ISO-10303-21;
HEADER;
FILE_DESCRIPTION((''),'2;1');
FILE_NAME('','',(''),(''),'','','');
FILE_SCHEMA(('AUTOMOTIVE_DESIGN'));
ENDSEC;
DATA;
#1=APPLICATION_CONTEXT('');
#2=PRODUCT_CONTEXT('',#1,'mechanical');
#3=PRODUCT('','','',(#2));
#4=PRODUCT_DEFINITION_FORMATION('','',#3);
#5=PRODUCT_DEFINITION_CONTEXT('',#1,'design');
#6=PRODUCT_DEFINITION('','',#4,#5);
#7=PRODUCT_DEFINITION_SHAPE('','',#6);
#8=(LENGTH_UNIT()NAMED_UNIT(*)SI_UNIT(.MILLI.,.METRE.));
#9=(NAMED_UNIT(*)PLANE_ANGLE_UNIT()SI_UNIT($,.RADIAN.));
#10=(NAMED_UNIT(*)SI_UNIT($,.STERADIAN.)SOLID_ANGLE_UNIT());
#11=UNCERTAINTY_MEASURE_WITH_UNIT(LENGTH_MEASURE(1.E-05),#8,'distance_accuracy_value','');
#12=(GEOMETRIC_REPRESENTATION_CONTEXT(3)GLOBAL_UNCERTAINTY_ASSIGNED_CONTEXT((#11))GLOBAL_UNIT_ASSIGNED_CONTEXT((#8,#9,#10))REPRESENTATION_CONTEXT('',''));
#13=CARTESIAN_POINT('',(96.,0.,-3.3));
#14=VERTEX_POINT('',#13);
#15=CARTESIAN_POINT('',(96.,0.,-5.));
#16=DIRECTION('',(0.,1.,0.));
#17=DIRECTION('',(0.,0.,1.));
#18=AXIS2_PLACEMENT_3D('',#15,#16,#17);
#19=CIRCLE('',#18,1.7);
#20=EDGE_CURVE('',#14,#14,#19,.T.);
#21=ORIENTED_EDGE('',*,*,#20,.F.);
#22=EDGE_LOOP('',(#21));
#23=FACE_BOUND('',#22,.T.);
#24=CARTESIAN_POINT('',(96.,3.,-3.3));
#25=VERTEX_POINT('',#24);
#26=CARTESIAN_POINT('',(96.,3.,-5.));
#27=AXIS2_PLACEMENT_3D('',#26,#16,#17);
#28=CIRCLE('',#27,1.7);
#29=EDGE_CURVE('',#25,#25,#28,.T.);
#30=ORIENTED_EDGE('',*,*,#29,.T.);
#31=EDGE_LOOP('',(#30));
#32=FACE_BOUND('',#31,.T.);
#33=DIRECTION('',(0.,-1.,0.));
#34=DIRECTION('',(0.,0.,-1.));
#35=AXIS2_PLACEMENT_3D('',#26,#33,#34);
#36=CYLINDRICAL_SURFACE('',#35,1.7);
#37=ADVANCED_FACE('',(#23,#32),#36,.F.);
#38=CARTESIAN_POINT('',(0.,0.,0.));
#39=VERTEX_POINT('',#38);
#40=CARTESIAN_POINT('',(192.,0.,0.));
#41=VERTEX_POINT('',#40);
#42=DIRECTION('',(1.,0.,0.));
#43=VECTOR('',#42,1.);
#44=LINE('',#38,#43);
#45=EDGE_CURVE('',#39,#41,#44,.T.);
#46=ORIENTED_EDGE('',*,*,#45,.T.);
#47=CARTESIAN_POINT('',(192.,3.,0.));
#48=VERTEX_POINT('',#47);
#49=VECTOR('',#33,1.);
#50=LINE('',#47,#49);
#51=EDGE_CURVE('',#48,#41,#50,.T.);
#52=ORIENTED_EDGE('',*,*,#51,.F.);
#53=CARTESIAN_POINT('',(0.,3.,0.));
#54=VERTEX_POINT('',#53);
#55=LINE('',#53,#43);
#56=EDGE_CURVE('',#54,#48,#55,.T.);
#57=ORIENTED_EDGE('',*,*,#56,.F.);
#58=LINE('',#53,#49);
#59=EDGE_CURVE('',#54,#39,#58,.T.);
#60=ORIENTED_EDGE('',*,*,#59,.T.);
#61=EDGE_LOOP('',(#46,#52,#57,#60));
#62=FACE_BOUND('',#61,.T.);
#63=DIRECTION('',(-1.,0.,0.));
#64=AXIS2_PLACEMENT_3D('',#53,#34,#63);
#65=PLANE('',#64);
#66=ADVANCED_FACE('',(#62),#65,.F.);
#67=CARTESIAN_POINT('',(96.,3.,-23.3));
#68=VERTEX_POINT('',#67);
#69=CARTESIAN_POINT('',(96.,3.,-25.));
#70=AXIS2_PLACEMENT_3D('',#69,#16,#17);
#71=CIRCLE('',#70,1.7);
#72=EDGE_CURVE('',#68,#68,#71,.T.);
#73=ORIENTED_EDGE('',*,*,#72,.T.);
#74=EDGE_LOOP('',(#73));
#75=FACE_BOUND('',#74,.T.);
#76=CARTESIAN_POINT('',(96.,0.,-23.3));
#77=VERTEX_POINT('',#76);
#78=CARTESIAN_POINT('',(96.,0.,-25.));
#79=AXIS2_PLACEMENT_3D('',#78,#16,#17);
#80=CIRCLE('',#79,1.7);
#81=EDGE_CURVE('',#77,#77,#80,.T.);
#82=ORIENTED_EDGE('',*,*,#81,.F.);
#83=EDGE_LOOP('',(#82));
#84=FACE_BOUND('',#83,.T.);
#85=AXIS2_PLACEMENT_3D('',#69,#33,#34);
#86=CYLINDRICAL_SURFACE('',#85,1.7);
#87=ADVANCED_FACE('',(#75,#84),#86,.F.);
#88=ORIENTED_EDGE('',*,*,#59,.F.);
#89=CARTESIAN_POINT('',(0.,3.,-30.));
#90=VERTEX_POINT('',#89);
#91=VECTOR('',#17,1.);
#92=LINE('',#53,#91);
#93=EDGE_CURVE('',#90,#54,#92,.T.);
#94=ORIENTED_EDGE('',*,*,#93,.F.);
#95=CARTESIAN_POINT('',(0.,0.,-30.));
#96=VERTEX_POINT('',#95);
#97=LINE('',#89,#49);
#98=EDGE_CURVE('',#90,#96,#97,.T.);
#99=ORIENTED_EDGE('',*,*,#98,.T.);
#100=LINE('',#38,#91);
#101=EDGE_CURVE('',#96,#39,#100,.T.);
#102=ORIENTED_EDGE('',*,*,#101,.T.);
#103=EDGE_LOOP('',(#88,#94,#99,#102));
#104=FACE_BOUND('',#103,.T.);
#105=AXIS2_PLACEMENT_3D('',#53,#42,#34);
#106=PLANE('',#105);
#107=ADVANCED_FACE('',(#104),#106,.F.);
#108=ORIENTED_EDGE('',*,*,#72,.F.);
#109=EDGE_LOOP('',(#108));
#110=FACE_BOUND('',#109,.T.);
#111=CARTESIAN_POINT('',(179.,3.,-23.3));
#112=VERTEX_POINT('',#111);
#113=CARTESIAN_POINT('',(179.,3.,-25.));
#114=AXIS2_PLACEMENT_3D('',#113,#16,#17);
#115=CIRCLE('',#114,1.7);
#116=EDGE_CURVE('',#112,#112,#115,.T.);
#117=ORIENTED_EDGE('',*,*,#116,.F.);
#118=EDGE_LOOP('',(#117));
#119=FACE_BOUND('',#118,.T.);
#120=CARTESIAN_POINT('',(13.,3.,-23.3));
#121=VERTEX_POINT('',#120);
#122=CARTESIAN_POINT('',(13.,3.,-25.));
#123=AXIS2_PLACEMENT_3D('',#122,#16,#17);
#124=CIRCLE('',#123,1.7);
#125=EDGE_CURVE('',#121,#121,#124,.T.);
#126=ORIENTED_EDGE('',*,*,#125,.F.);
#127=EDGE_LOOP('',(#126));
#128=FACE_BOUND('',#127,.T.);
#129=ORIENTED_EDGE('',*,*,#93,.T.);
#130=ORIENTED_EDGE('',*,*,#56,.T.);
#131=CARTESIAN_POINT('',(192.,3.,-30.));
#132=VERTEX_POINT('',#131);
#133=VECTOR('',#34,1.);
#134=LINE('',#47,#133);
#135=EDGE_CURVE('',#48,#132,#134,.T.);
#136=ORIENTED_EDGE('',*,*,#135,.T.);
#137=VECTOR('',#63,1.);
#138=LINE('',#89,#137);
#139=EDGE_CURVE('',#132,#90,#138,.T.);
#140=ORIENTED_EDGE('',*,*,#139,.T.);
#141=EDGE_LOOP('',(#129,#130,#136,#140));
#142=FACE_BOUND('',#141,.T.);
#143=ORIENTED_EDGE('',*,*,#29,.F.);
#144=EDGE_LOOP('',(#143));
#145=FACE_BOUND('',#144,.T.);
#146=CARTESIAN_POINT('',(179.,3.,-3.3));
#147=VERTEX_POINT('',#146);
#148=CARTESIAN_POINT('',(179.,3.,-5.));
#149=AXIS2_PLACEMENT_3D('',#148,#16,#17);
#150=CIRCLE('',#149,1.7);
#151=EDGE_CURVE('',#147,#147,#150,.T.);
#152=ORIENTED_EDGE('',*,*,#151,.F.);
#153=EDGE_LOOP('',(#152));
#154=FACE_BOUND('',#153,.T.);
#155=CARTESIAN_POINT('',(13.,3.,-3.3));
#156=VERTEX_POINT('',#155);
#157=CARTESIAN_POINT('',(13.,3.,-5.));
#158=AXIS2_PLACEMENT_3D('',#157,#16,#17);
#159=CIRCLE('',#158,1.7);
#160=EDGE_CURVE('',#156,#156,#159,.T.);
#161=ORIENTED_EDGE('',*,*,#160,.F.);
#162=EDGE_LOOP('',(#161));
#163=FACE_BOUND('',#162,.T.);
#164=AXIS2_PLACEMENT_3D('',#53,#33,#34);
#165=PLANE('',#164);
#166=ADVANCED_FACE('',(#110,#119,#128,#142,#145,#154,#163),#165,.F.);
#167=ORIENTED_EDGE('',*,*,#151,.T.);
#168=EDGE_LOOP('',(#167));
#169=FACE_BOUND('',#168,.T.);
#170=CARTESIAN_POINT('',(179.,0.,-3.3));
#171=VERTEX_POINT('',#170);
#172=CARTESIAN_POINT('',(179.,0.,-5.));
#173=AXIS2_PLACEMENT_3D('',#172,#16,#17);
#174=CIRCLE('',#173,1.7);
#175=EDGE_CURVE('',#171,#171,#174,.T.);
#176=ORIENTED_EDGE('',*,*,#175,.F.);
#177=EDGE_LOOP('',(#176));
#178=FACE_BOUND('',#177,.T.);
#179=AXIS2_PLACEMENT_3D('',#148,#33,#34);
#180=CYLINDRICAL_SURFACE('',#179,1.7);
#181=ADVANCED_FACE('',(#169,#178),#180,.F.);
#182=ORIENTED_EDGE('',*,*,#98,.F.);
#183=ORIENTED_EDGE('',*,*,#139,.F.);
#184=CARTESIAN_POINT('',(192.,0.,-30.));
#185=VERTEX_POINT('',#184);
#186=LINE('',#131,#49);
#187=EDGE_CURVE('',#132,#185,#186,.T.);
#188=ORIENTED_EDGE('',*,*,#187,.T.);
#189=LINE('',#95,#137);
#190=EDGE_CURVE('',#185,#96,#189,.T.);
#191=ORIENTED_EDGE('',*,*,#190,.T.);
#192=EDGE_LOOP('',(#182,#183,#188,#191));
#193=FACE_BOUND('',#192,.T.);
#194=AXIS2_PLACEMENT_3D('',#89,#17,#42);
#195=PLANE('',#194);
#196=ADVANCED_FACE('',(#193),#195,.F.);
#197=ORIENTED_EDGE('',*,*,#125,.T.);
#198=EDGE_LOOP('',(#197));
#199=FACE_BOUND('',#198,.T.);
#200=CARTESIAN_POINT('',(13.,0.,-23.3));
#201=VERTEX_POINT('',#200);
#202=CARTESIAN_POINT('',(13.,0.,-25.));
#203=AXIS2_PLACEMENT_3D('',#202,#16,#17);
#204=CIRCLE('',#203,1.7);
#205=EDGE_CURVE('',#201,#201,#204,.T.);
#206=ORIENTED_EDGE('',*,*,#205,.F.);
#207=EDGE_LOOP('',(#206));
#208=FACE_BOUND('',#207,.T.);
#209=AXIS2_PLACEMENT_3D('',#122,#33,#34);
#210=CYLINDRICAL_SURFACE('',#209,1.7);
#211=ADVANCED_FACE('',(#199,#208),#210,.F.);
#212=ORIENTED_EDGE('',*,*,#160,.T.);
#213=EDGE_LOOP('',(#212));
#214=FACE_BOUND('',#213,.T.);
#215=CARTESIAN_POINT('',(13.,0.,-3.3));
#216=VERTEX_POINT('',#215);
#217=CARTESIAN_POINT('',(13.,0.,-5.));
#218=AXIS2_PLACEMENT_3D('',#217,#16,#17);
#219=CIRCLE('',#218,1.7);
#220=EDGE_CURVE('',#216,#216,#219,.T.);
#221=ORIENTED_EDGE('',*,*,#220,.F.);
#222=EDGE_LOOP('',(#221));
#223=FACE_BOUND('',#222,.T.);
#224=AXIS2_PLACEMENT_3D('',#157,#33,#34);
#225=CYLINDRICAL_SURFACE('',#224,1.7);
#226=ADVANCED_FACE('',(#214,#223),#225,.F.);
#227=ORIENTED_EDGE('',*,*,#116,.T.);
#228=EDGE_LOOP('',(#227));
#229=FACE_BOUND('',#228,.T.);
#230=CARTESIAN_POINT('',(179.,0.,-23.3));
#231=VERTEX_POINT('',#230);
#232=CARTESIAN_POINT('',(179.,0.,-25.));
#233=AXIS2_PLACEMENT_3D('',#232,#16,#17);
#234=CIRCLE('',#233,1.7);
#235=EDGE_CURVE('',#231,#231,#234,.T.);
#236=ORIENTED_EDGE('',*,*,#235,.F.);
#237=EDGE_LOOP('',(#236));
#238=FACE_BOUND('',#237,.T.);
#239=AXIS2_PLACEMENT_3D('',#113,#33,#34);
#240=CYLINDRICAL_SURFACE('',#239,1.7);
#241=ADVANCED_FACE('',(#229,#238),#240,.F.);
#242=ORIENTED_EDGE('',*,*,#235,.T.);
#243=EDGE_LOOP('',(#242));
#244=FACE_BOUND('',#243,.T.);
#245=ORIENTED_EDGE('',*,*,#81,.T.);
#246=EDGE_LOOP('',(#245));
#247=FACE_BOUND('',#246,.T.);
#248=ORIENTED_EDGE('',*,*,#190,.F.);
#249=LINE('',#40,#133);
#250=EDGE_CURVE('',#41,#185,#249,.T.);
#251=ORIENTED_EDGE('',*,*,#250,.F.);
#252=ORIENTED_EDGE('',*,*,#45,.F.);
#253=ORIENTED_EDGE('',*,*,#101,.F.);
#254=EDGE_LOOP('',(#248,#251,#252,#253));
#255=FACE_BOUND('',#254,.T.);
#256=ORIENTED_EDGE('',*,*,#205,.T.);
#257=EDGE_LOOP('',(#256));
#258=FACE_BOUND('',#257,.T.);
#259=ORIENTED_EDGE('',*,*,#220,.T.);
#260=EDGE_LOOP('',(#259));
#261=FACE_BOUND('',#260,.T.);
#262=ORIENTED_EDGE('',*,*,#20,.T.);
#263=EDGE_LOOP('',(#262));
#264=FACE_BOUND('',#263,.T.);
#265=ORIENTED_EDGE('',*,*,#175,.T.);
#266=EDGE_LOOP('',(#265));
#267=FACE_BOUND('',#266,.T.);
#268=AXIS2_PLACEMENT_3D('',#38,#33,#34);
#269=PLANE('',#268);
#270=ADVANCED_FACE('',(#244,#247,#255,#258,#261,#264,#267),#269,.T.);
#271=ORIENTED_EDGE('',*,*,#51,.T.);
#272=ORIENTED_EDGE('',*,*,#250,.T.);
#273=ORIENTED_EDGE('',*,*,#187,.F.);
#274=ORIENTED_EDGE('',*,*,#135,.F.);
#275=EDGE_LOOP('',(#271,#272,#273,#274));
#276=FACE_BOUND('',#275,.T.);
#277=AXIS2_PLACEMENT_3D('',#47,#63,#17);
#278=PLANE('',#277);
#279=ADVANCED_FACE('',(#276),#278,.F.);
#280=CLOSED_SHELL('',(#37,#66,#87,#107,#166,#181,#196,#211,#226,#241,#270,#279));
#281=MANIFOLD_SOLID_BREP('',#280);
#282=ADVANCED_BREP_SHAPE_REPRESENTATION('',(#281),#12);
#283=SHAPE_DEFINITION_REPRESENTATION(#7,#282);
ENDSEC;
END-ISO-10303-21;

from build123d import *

# Parameters (mm, degrees)
SKETCH1_W           = 192
SKETCH1_H           = 30
SKETCH1_R           = 1.7
BOSS_EXTRUDE1_DEPTH = 3


with BuildPart() as part:
    # Sketch1 → Boss-Extrude1 (new body)
    with BuildSketch(Plane(origin=(0, 0, 0), x_dir=(1, 0, 0), z_dir=(0, 1, 0))):
        with Locations((96, 15)):
            Rectangle(SKETCH1_W, SKETCH1_H)
        with Locations(Location((13, 25, 0), (0, 0, 270))):
            Circle(SKETCH1_R, mode=Mode.SUBTRACT)
        with Locations(Location((13, 5, 0), (0, 0, 270))):
            Circle(SKETCH1_R, mode=Mode.SUBTRACT)
        with Locations(Location((96, 25, 0), (0, 0, 270))):
            Circle(SKETCH1_R, mode=Mode.SUBTRACT)
        with Locations(Location((96, 5, 0), (0, 0, 270))):
            Circle(SKETCH1_R, mode=Mode.SUBTRACT)
        with Locations(Location((179, 25, 0), (0, 0, 270))):
            Circle(SKETCH1_R, mode=Mode.SUBTRACT)
        with Locations(Location((179, 5, 0), (0, 0, 270))):
            Circle(SKETCH1_R, mode=Mode.SUBTRACT)
    extrude(amount=BOSS_EXTRUDE1_DEPTH)


solid = part.part
